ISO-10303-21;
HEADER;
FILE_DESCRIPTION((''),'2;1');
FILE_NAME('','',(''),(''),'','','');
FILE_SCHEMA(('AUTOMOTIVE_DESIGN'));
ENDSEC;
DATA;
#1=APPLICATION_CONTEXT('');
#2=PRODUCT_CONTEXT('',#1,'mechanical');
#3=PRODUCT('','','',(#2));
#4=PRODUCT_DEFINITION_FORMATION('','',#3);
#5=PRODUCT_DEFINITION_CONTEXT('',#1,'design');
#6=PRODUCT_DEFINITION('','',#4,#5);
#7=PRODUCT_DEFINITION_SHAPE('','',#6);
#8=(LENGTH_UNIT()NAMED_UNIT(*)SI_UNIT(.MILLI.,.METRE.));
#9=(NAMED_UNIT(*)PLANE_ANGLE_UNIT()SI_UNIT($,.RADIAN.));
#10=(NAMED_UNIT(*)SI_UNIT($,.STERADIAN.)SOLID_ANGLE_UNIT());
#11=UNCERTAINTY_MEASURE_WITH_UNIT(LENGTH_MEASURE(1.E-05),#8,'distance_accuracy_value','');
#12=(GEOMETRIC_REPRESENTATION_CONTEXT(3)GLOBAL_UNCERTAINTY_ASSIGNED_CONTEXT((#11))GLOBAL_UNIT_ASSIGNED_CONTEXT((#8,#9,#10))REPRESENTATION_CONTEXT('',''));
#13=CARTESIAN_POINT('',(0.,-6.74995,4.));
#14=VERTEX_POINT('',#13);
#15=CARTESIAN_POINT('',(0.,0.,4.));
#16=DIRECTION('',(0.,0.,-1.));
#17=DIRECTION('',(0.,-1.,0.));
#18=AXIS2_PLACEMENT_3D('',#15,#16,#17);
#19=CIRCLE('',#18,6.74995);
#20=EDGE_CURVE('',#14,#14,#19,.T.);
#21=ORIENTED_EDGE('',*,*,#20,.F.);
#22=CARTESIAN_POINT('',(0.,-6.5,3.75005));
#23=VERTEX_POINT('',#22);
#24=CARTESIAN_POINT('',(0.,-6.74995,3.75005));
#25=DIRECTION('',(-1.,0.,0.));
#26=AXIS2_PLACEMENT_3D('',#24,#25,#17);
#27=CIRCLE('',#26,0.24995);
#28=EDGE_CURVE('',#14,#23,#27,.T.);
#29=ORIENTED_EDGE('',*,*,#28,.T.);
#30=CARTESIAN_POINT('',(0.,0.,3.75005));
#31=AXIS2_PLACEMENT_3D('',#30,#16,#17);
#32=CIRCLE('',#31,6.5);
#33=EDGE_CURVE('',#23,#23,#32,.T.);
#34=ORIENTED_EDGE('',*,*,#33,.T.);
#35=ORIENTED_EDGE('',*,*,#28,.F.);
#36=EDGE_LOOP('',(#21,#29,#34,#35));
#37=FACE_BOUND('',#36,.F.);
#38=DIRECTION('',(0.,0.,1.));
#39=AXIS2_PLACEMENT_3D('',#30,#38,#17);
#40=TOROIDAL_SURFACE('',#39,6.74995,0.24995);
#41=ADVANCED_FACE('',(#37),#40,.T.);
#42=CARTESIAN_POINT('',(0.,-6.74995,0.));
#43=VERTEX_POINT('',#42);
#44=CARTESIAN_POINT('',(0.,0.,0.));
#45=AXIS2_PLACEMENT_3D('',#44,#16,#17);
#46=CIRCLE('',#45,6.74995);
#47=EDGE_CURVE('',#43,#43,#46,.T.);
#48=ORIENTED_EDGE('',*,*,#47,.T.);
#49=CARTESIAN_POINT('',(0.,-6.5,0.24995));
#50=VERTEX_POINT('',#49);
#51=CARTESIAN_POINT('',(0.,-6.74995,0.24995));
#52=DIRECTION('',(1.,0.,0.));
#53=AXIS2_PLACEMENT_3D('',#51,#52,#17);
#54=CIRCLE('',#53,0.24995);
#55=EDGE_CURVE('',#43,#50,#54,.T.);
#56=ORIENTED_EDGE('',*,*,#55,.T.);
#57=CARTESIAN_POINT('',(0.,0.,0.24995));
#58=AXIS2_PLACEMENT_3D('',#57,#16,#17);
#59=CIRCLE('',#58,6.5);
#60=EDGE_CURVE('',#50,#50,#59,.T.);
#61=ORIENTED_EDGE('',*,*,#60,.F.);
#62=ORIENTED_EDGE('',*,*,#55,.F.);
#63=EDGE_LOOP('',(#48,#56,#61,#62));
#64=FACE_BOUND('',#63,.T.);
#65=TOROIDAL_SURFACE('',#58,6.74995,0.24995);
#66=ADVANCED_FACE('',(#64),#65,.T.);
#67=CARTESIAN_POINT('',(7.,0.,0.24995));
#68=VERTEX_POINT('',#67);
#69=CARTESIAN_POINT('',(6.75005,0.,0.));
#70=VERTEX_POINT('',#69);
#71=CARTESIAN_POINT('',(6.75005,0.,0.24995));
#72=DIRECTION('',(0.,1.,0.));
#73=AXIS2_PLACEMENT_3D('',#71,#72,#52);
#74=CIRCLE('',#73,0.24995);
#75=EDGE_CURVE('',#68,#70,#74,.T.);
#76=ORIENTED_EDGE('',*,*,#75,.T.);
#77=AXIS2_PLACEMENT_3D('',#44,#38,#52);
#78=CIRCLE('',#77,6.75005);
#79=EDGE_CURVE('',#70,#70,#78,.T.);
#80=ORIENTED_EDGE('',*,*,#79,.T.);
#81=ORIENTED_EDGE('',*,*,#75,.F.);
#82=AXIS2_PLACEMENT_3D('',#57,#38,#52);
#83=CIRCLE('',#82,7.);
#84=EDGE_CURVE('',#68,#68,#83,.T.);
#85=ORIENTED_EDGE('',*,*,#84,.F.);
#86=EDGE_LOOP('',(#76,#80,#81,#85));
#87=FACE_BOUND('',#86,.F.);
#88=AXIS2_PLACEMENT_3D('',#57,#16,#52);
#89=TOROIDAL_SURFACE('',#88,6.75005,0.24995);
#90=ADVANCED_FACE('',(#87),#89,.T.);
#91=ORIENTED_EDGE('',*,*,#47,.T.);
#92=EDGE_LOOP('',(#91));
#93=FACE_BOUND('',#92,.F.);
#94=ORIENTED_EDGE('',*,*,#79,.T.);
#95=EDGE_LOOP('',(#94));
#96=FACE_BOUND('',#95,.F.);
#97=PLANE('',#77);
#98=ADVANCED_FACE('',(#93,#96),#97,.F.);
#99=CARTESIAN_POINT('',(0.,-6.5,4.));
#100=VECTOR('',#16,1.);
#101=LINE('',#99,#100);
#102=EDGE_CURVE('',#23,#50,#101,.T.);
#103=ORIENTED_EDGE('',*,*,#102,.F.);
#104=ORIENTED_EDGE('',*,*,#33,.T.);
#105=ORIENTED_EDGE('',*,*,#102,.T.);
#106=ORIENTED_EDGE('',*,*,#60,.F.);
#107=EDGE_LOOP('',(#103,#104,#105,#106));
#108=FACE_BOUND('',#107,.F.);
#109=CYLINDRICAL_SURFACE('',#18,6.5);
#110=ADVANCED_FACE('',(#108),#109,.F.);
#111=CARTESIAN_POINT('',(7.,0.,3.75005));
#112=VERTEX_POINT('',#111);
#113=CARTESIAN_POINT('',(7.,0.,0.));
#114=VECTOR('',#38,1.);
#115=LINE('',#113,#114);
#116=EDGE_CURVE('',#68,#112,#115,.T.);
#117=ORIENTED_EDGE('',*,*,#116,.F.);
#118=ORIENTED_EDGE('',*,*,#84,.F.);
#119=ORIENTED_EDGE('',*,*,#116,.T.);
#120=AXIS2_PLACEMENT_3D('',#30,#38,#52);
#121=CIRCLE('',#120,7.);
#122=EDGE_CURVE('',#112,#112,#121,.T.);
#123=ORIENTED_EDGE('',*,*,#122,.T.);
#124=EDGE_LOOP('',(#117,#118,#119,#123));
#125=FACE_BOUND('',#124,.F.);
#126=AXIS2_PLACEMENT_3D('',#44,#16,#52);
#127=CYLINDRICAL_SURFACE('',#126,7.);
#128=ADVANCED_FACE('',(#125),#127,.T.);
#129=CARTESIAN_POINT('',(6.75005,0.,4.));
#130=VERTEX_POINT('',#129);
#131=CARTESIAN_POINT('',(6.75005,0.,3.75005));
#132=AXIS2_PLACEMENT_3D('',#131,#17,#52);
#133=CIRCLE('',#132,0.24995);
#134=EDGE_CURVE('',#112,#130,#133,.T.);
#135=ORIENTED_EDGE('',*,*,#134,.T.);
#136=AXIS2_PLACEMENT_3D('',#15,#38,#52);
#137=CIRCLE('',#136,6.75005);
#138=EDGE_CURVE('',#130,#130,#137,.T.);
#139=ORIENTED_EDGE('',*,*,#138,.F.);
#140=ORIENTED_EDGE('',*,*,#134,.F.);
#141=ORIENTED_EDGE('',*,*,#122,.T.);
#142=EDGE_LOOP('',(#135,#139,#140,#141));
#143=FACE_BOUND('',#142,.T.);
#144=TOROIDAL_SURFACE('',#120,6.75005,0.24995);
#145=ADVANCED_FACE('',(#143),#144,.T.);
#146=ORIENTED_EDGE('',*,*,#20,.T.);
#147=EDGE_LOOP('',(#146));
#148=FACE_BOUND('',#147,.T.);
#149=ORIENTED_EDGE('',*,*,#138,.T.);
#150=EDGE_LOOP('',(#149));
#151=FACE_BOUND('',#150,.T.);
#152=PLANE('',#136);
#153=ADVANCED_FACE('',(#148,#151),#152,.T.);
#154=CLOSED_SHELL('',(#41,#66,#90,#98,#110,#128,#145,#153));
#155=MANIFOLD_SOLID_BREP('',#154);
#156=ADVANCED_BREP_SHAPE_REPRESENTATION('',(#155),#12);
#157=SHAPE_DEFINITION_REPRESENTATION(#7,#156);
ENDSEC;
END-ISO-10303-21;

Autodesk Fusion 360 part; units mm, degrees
sketch "Sketch1" plane through (0, 0, 0) normal (0, 0, 1) x (1, 0, 0)
  circle A0 centre (0, 0) radius 7
  dimension "d1" = 14
extrude "Extrude1" add sketch "Sketch1" along normal blind 4
hole "Hole1" at (0, 0, 4) direction (0, 0, -1) diameter 13 depth 4 tip angle 118
fillet "Fillet1" radius 0.25 2 edges at (-6.0601, 2.3505, 4) (-6.5263, -2.5313, 4)
fillet "Fillet2" radius 0.25 2 edges at (-6.5263, -2.5313, 0) (-6.0601, -2.3505, 0)
